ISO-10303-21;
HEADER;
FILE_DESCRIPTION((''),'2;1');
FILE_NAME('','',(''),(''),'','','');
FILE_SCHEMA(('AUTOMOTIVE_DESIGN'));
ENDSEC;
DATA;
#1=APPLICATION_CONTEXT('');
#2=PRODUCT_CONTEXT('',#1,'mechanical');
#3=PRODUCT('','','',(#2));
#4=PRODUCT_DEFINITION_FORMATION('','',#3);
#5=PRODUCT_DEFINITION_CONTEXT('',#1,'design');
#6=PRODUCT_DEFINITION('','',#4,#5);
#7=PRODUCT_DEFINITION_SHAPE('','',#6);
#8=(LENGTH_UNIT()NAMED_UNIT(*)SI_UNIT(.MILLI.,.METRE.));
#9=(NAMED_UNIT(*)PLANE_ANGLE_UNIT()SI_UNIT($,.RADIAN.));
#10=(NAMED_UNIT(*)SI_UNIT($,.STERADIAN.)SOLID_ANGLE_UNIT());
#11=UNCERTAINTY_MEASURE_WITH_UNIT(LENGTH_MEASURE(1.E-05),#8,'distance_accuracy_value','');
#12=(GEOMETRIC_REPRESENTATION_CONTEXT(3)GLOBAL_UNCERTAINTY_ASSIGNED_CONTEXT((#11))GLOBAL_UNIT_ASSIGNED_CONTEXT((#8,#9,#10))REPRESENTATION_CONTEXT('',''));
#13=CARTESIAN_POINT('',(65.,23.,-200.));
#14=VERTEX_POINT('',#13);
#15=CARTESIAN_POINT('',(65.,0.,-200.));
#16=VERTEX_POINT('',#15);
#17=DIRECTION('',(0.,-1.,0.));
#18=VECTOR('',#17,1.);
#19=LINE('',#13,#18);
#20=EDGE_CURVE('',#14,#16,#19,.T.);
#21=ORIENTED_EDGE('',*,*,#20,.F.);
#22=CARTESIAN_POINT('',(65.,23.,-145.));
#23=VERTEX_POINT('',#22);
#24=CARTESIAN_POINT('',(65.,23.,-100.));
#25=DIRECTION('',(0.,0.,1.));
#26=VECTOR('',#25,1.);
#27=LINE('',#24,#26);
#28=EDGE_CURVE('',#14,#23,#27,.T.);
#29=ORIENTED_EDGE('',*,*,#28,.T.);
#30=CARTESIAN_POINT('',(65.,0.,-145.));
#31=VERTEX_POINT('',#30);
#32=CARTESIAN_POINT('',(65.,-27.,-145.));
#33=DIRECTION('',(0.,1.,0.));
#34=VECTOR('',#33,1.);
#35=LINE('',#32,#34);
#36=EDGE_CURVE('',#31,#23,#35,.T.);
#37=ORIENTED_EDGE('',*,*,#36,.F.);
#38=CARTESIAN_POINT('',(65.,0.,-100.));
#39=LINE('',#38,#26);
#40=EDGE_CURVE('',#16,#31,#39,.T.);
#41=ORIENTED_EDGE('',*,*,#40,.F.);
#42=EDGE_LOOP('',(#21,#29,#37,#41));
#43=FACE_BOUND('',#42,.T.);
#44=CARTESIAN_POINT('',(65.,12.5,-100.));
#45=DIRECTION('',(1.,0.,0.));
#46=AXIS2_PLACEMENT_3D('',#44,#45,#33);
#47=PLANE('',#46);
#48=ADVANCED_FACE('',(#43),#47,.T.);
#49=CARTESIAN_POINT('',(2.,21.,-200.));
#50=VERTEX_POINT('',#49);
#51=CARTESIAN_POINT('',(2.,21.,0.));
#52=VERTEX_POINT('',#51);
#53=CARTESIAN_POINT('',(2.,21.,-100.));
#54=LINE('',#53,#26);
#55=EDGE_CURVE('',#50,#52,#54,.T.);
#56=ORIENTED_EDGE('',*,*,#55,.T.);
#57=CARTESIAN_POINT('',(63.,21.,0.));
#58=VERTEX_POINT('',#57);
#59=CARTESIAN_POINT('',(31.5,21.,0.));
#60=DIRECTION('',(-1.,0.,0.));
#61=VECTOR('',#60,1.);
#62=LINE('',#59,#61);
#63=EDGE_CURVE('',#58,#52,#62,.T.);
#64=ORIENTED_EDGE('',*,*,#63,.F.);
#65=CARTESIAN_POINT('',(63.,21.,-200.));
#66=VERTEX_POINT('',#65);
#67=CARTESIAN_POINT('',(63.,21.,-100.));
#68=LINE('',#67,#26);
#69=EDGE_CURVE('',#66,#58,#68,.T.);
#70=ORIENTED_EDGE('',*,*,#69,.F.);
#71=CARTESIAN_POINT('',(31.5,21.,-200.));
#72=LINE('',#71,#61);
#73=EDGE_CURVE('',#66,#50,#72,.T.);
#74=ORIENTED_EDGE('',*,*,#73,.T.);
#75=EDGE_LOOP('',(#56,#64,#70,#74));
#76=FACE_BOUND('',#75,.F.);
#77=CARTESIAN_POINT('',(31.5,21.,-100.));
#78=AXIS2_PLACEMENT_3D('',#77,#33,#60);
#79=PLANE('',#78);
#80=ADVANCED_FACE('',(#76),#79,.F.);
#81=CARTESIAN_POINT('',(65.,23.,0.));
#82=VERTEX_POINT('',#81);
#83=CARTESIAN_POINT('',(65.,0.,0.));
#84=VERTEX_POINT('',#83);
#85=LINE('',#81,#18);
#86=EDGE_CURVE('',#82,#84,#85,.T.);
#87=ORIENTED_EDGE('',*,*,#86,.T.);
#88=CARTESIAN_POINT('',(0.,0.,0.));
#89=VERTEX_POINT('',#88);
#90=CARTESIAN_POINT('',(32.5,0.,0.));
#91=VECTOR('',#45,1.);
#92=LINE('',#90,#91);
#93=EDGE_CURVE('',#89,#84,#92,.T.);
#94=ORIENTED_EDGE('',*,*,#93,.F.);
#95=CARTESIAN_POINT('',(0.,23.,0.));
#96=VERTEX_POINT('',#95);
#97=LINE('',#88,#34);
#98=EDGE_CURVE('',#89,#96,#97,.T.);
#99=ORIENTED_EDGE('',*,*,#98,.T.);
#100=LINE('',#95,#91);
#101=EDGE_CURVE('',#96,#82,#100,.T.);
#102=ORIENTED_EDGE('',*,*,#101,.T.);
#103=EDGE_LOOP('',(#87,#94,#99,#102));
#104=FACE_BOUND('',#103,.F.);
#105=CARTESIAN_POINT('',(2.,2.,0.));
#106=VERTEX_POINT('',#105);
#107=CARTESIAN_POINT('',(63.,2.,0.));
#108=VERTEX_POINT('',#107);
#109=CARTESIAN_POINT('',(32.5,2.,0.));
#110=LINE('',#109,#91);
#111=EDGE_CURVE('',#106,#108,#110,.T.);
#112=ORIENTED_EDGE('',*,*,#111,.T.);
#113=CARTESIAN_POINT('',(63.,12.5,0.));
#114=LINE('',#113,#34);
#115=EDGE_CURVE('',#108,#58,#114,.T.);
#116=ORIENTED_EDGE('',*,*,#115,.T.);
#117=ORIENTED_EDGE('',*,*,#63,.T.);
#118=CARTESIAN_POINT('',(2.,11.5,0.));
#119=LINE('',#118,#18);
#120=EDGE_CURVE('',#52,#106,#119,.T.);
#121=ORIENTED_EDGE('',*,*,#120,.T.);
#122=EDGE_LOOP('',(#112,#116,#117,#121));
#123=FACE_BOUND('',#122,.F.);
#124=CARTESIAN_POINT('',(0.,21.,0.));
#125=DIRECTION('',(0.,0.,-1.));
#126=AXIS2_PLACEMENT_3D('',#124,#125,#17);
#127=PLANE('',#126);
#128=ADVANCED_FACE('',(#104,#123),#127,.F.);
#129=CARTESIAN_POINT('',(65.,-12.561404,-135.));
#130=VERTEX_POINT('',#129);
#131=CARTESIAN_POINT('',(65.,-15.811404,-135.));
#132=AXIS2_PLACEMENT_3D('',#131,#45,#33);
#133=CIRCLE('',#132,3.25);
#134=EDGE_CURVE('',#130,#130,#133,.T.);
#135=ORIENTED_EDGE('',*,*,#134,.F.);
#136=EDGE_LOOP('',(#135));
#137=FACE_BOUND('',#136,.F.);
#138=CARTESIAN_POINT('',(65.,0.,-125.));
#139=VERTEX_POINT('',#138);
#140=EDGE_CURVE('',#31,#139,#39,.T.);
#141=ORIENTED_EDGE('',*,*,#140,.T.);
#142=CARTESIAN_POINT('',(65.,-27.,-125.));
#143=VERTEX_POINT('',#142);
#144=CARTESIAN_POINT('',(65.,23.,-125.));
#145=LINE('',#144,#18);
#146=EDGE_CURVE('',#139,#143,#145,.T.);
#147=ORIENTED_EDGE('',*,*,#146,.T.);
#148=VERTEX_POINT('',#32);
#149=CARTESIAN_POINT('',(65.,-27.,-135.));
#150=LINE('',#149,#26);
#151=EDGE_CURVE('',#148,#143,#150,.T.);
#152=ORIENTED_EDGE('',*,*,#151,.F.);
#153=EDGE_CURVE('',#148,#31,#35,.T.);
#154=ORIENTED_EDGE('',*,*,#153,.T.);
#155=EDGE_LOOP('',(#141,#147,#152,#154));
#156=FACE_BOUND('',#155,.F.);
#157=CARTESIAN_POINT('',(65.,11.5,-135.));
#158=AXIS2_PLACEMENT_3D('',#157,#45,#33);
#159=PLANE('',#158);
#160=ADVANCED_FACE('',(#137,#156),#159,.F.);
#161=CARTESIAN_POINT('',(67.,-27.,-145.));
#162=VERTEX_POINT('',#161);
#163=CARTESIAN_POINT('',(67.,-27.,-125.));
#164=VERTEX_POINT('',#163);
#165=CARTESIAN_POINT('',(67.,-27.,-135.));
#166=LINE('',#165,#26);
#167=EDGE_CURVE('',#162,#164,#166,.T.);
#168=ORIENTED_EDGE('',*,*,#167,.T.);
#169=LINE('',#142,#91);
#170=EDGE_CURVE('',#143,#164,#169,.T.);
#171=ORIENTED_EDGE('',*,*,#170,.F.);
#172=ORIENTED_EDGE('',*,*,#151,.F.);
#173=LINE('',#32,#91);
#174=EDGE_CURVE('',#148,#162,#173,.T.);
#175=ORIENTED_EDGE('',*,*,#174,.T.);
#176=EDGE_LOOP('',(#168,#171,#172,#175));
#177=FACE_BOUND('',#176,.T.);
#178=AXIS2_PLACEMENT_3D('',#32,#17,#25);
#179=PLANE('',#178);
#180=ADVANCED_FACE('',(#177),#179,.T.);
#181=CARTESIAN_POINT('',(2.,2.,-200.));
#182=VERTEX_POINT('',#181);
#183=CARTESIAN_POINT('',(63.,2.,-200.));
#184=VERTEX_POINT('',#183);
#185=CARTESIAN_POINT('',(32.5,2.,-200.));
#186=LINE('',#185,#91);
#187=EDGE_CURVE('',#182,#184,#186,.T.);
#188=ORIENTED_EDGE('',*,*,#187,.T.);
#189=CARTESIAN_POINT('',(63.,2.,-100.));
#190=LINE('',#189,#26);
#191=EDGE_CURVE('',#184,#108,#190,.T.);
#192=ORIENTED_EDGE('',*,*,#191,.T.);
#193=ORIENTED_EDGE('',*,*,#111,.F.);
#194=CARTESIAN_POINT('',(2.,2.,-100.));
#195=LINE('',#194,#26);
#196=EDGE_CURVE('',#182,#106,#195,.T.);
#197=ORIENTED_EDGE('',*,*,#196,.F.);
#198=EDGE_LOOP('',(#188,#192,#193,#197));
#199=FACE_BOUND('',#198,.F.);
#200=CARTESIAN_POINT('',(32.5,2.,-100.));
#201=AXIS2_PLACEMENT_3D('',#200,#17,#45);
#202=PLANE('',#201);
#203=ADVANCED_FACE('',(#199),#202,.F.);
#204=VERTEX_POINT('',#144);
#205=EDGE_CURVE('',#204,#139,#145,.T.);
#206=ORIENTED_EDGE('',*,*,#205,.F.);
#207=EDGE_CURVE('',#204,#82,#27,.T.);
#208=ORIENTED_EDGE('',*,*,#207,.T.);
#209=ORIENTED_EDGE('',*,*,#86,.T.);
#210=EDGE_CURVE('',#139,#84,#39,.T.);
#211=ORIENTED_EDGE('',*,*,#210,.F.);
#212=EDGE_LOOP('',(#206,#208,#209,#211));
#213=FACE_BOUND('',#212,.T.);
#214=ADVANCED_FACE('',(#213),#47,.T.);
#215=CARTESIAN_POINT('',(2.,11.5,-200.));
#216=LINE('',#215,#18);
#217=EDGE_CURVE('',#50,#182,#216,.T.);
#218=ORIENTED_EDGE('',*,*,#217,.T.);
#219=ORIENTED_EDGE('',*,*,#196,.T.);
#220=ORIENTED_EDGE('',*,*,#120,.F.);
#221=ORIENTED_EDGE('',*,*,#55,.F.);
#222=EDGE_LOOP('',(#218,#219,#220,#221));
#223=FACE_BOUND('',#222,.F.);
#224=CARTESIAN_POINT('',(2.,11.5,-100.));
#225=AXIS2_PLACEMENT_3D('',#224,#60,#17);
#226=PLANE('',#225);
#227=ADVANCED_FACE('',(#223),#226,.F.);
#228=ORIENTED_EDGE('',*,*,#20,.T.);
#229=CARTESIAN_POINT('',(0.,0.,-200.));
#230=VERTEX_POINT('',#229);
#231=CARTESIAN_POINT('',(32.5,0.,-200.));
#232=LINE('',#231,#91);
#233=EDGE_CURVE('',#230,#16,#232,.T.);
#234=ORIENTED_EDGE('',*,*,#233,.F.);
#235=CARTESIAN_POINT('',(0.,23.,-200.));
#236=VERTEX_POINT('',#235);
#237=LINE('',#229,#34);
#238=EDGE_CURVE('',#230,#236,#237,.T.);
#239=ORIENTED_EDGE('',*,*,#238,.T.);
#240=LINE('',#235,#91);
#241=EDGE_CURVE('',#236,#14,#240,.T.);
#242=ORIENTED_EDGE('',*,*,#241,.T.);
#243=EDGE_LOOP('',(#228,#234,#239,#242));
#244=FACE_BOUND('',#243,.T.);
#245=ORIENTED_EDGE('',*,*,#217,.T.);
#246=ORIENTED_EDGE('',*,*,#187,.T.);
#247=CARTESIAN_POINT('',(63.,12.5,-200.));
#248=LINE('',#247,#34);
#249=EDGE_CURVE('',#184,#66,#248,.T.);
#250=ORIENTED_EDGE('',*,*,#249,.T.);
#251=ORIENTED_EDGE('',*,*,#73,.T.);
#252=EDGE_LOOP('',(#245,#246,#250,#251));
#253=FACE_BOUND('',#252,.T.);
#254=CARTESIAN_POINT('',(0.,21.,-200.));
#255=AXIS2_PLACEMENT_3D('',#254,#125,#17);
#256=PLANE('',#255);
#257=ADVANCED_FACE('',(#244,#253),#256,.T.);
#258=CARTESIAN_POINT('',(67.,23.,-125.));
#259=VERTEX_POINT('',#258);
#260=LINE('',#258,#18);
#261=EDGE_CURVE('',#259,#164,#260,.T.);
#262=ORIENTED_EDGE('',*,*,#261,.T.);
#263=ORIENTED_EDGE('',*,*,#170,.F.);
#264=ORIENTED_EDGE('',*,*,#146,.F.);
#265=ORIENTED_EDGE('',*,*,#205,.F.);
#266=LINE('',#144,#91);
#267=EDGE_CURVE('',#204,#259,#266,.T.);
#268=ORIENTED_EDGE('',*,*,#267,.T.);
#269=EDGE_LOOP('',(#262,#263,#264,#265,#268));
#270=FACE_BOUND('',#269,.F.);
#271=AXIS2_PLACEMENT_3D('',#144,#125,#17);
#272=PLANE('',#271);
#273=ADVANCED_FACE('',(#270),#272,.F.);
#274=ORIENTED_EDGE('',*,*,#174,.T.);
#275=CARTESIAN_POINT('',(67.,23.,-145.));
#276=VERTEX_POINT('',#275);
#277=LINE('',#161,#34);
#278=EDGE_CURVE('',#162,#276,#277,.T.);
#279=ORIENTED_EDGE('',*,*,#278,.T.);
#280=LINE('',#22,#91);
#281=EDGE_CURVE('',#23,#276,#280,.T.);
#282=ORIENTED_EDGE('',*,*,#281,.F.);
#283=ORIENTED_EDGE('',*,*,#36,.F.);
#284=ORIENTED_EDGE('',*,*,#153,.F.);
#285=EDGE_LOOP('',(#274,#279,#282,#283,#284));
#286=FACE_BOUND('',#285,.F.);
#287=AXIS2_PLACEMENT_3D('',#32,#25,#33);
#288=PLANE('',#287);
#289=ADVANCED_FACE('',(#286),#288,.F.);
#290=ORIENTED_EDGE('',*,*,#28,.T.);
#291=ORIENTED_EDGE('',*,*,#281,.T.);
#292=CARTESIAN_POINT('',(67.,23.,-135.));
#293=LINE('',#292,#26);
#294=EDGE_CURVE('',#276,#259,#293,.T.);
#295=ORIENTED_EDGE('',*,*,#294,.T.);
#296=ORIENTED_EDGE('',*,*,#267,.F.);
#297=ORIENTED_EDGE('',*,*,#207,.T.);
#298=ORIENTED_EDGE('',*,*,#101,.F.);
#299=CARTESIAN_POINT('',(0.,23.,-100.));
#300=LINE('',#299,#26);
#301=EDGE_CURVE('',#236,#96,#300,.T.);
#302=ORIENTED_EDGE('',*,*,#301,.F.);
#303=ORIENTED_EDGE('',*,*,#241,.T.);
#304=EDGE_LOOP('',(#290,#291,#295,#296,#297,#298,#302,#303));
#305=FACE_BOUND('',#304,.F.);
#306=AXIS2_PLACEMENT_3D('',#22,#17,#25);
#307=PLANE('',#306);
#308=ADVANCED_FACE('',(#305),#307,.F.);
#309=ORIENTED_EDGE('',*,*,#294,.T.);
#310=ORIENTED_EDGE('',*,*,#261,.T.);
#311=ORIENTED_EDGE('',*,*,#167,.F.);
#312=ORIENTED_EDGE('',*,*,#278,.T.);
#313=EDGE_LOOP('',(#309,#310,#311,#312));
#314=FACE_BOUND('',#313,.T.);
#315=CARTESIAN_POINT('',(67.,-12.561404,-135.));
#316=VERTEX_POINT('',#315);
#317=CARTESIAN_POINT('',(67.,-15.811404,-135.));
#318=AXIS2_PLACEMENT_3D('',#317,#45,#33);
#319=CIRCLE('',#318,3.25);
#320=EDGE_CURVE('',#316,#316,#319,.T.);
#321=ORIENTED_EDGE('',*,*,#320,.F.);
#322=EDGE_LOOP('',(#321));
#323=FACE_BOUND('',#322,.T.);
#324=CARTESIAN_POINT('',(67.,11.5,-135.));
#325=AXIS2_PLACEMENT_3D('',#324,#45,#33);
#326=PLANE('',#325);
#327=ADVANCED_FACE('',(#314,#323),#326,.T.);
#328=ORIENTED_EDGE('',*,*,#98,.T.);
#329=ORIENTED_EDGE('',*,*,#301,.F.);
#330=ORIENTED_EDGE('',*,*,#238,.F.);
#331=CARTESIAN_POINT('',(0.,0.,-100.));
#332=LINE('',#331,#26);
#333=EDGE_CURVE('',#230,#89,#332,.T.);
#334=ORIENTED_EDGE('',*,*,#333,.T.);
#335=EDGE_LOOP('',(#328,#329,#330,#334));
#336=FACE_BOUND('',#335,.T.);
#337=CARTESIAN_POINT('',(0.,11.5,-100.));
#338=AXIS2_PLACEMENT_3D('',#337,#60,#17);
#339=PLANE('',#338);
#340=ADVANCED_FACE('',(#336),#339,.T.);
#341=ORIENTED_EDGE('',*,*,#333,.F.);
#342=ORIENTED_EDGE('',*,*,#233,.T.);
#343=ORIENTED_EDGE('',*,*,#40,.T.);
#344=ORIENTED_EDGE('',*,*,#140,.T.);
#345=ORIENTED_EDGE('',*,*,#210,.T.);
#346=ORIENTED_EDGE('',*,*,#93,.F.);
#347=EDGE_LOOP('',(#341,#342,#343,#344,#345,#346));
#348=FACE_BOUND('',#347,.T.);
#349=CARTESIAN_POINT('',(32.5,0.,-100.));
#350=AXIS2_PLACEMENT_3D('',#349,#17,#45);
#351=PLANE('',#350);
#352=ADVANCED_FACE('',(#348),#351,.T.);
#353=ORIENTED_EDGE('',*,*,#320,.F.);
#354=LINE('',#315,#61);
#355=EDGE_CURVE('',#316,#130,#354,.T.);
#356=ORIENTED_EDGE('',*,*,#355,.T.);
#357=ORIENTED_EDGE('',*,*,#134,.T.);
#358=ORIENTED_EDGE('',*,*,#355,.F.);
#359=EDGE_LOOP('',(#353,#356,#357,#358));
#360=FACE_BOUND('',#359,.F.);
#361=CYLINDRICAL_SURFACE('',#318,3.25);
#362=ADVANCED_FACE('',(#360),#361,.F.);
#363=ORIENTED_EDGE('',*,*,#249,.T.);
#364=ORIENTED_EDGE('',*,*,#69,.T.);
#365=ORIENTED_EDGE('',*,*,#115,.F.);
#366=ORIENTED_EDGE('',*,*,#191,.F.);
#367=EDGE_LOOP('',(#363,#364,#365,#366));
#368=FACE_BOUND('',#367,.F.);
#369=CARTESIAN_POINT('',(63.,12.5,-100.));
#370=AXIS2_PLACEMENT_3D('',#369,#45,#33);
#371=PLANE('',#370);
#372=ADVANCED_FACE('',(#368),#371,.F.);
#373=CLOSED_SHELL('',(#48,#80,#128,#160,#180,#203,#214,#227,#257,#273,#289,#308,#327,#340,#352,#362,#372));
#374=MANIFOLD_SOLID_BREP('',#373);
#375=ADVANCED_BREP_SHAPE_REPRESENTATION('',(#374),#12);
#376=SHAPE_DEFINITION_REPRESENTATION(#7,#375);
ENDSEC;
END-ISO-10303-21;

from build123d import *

# Parameters (mm, degrees)
F0_W      = 65
F0_H      = 200
F1_DEPTH  = 2
F2_W      = 21
F2_H      = 200
F3_DEPTH  = 2
F4_W      = 63
F4_H      = 200
F5_DEPTH  = 2
F6_W      = 19
F6_H      = 200
F7_DEPTH  = 2
F8_W      = 23
F8_H      = 20
F8_W_2    = 27
F9_DEPTH  = 2
F10_R     = 3.25
F11_DEPTH = 2


with BuildPart() as f1:
    # F0 (on Front) → F1 (new body)
    with BuildSketch(Plane.XZ):
        with Locations((32.5, -100)):
            Rectangle(F0_W, F0_H)
    extrude(amount=-F1_DEPTH)

    # F2 (on face) → F3 (join)
    with BuildSketch(Plane.YZ.offset(65)):
        with Locations((12.5, -100)):
            Rectangle(F2_W, F2_H)
    extrude(amount=-F3_DEPTH)

    # F4 (on face) → F5 (join)
    with BuildSketch(Plane(origin=(0, 23, 0), x_dir=(-1, 0, 0), z_dir=(0, 1, 0))):
        with Locations((-31.5, -100)):
            Rectangle(F4_W, F4_H)
    extrude(amount=-F5_DEPTH)

    # F6 (on face) → F7 (join)
    with BuildSketch(Plane(origin=(0, 0, 0), x_dir=(0, -1, 0), z_dir=(-1, 0, 0))):
        with Locations((-11.5, -100)):
            Rectangle(F6_W, F6_H)
    extrude(amount=-F7_DEPTH)

    # F8 (on face) → F9 (join)
    with BuildSketch(Plane.YZ.offset(65)):
        with Locations((11.5, -135)):
            Rectangle(F8_W, F8_H)
        with Locations((-13.5, -135)):
            Rectangle(F8_W_2, F8_H)
    extrude(amount=F9_DEPTH)

    # F10 (on face) → F11 (cut)
    with BuildSketch(Plane.YZ.offset(67)):
        with Locations((-15.811404, -135)):
            Circle(F10_R)
    extrude(amount=-F11_DEPTH, mode=Mode.SUBTRACT)


solid = f1.part
